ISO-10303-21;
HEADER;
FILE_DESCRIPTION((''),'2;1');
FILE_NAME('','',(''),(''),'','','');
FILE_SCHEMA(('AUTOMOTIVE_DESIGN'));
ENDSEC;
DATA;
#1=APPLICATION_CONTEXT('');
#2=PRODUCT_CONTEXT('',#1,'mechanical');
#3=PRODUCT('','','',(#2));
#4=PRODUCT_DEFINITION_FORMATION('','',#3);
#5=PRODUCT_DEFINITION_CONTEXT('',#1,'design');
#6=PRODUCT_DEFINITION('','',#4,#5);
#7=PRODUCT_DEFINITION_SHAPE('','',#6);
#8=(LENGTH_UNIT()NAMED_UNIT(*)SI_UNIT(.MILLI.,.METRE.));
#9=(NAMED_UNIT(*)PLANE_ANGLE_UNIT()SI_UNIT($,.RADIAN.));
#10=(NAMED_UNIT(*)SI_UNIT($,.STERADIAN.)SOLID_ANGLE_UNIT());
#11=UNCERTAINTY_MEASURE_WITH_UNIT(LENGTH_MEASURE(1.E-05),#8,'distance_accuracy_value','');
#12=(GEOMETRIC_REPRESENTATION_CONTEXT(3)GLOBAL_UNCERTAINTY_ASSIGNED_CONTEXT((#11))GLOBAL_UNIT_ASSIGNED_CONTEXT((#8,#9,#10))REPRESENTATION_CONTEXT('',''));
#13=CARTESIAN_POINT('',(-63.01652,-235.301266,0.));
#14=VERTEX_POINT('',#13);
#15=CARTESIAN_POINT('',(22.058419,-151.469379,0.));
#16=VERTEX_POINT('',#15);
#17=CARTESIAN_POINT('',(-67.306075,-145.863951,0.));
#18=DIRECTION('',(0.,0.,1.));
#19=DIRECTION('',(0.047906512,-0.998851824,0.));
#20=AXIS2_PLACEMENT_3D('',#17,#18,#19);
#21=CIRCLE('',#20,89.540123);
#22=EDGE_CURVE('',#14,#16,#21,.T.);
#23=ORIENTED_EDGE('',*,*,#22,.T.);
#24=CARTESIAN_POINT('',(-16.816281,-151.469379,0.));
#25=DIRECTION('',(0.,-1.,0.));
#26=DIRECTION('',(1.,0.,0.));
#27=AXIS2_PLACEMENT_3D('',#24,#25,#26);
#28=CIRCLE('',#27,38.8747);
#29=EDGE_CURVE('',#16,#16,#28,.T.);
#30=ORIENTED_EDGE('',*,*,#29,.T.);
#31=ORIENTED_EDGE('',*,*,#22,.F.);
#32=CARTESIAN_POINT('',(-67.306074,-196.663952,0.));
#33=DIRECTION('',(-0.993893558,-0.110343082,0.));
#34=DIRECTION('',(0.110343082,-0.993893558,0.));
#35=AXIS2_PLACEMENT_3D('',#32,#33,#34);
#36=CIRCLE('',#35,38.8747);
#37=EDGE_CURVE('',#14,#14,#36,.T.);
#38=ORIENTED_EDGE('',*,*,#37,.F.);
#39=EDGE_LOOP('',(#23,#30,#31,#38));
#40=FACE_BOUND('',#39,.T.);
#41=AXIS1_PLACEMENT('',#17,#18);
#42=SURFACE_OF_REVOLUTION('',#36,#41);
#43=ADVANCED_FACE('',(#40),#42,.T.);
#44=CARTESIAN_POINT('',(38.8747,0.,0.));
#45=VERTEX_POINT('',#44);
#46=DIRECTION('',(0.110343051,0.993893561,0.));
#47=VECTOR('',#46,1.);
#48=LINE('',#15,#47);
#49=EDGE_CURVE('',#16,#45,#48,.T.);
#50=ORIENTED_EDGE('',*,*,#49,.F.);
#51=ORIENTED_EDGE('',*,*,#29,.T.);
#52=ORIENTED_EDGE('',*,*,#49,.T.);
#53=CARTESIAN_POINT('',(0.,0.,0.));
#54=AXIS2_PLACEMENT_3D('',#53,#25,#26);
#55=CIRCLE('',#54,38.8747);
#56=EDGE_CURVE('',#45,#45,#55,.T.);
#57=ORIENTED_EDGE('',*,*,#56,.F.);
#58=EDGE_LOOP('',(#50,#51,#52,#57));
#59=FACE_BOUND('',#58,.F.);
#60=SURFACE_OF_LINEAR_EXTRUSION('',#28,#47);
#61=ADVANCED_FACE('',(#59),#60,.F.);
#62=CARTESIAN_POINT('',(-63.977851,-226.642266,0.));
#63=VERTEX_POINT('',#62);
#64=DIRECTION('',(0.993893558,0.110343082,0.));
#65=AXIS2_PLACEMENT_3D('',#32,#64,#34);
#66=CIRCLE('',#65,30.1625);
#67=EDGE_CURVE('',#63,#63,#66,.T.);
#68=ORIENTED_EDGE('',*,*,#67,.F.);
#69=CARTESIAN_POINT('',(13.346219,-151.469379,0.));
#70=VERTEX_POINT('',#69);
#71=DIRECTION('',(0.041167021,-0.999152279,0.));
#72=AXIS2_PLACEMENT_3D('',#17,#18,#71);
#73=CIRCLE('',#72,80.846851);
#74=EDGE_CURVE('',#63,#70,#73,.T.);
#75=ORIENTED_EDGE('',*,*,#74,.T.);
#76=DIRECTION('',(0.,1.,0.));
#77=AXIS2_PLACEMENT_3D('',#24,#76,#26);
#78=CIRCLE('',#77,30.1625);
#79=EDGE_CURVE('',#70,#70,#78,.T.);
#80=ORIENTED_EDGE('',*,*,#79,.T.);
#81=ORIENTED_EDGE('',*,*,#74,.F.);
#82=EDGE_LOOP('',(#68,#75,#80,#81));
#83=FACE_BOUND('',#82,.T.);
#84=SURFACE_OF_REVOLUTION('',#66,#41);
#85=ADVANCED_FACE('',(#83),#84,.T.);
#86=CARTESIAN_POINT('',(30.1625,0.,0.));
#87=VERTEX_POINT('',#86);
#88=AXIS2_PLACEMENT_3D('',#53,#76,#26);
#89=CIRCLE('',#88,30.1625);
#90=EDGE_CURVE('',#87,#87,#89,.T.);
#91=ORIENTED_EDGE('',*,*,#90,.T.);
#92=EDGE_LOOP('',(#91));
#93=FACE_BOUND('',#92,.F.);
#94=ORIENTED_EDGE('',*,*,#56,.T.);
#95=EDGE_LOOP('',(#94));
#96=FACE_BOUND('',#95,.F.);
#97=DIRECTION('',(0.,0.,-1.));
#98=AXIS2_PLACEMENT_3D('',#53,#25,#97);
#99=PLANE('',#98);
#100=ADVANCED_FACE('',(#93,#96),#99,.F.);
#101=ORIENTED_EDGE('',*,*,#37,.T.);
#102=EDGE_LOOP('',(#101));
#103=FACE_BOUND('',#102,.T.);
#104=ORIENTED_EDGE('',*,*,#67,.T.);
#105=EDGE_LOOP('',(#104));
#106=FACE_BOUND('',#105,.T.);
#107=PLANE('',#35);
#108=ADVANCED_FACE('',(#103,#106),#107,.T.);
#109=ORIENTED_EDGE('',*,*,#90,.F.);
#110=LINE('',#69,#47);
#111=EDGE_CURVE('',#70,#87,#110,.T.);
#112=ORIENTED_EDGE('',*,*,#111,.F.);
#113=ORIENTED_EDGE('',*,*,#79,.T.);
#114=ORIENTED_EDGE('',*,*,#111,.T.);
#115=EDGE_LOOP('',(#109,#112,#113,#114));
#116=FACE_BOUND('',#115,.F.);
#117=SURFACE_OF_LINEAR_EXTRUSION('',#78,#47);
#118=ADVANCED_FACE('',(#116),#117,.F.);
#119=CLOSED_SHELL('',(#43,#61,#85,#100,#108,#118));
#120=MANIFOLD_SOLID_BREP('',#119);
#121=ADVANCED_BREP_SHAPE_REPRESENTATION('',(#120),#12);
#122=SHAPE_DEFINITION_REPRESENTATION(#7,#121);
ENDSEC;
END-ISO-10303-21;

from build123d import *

# Parameters (mm, degrees)
F0_R   = 38.8747
F0_R_2 = 30.1625


with BuildPart() as f2:
    # F2: sweep along a path in F1
    with BuildLine(Plane.XY) as f2_path:
        ThreePointArc((-67.306074, -196.663952), (-33.424779, -183.714947), (-16.816281, -151.469379))
        Line((-16.816281, -151.469379), (0, 0))
    # F0 (on Front) → F2 (sweep)
    with BuildSketch(Plane.XZ):
        Circle(F0_R)
        Circle(F0_R_2, mode=Mode.SUBTRACT)
    sweep(path=f2_path.line)


solid = f2.part
